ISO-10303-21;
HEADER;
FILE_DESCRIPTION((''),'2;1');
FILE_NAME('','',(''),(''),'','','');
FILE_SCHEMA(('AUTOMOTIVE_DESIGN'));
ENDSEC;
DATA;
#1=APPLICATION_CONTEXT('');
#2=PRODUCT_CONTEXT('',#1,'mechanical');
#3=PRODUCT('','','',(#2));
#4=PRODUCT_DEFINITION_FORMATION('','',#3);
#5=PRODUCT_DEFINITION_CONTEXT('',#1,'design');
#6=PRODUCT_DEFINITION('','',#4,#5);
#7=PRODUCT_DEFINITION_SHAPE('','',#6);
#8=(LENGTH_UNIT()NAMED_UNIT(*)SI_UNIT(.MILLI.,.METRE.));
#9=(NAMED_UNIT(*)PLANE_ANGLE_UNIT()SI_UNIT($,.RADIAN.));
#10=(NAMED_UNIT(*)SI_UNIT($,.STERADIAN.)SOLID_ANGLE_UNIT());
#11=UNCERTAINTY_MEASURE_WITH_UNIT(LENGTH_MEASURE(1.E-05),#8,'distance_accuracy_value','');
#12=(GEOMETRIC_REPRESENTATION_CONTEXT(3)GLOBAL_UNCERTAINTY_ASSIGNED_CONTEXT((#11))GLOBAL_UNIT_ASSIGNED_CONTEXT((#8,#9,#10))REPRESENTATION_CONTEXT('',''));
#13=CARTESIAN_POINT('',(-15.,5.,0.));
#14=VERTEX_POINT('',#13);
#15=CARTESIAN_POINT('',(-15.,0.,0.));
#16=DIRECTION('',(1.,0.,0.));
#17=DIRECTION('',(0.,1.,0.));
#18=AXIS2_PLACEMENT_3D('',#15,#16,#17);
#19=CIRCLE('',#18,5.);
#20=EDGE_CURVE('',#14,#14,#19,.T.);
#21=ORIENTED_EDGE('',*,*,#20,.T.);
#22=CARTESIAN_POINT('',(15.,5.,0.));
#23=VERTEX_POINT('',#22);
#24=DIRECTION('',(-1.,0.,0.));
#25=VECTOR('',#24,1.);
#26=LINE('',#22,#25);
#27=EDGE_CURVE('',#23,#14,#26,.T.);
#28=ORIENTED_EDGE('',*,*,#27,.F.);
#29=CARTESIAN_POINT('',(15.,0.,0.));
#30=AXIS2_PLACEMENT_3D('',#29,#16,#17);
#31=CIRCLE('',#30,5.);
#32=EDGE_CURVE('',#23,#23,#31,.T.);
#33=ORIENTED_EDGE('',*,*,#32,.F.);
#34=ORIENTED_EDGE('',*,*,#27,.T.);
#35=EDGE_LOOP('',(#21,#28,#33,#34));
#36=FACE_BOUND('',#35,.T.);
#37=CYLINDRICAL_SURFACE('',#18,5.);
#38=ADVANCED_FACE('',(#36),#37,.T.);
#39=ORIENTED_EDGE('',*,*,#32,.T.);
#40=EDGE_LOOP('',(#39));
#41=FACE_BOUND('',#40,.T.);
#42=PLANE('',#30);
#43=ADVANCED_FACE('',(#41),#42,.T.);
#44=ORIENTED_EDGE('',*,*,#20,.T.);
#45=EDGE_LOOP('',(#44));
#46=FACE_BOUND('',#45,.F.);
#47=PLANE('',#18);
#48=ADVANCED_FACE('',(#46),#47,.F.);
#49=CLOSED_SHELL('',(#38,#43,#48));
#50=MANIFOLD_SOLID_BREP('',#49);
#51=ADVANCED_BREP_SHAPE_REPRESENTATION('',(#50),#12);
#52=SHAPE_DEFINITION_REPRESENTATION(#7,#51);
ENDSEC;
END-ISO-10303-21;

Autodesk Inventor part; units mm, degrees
ref_plane "YZ Plane" through (0, 0, 0) normal (1, 0, 0) x (0, 1, 0)
ref_plane "XZ Plane" through (0, 0, 0) normal (0, 1, 0) x (-1, 0, 0)
sketch "Sketch1" plane through (0, 0, 0) normal (0, 0, 1) x (1, 0, 0)
  line L0 (15, 5) -> (15, 0)
  line L1 (-15, 0) -> (15, 0)
  line L2 (-21, 0) -> (21, 0) projected
  line L3 (0, 6) -> (0, -1) projected
  line L4 (-15, 5) -> (-15, 0)
  line L5 (0, 5) -> (0, 0) construction
  line L6 (-21, 0) -> (21, 0) projected
  line L7 (-15, 5) -> (15, 5)
  dimension "d13" = 10
  dimension "d87" = 30
  dimension "d88" = 15
revolve "Body" add sketch "Sketch1" angle 360 about axis through (-15, 0, 0) along (1, 0, 0)
thread "Thread1" size "M10x1.5" class "6g" standard "ISO Metric profile" length 30
ref_plane "Work Plane1" through (2.75, 0, 0) normal (0, -1, 0) x (1, 0, 0)
equation "\"d13\" = NND"
equation "\"d87\" = NLG"
equation "\"d88\" = 0.5 * NLG"
equation "\"d1\" = GEL"
equation "\"NLG\" = 30"
equation "\"GEL\" = NLG"
equation "\"GAL\" = 0.61345 * PTC"
equation "\"SPD\" = 7.938"
equation "\"GUL\" = 0.61345 * PTC"
equation "\"NND\" = 10"
equation "\"GUL1\" = GUL"
equation "\"GAL1\" = GAL"
equation "\"d89\" = -GEL + GUL1"
equation "\"d90\" = -GUL - GEL"
equation "\"PTC\" = 1.5"
equation "\"TOA\" = 30deg"
equation "\"GD1\" = THREADDIA - 1.2269 * PTC"
equation "\"THREADDIA\" = 10"
properties part number "DIN 976-1 - M10 x 30 - A" material "Steel, Mild"
